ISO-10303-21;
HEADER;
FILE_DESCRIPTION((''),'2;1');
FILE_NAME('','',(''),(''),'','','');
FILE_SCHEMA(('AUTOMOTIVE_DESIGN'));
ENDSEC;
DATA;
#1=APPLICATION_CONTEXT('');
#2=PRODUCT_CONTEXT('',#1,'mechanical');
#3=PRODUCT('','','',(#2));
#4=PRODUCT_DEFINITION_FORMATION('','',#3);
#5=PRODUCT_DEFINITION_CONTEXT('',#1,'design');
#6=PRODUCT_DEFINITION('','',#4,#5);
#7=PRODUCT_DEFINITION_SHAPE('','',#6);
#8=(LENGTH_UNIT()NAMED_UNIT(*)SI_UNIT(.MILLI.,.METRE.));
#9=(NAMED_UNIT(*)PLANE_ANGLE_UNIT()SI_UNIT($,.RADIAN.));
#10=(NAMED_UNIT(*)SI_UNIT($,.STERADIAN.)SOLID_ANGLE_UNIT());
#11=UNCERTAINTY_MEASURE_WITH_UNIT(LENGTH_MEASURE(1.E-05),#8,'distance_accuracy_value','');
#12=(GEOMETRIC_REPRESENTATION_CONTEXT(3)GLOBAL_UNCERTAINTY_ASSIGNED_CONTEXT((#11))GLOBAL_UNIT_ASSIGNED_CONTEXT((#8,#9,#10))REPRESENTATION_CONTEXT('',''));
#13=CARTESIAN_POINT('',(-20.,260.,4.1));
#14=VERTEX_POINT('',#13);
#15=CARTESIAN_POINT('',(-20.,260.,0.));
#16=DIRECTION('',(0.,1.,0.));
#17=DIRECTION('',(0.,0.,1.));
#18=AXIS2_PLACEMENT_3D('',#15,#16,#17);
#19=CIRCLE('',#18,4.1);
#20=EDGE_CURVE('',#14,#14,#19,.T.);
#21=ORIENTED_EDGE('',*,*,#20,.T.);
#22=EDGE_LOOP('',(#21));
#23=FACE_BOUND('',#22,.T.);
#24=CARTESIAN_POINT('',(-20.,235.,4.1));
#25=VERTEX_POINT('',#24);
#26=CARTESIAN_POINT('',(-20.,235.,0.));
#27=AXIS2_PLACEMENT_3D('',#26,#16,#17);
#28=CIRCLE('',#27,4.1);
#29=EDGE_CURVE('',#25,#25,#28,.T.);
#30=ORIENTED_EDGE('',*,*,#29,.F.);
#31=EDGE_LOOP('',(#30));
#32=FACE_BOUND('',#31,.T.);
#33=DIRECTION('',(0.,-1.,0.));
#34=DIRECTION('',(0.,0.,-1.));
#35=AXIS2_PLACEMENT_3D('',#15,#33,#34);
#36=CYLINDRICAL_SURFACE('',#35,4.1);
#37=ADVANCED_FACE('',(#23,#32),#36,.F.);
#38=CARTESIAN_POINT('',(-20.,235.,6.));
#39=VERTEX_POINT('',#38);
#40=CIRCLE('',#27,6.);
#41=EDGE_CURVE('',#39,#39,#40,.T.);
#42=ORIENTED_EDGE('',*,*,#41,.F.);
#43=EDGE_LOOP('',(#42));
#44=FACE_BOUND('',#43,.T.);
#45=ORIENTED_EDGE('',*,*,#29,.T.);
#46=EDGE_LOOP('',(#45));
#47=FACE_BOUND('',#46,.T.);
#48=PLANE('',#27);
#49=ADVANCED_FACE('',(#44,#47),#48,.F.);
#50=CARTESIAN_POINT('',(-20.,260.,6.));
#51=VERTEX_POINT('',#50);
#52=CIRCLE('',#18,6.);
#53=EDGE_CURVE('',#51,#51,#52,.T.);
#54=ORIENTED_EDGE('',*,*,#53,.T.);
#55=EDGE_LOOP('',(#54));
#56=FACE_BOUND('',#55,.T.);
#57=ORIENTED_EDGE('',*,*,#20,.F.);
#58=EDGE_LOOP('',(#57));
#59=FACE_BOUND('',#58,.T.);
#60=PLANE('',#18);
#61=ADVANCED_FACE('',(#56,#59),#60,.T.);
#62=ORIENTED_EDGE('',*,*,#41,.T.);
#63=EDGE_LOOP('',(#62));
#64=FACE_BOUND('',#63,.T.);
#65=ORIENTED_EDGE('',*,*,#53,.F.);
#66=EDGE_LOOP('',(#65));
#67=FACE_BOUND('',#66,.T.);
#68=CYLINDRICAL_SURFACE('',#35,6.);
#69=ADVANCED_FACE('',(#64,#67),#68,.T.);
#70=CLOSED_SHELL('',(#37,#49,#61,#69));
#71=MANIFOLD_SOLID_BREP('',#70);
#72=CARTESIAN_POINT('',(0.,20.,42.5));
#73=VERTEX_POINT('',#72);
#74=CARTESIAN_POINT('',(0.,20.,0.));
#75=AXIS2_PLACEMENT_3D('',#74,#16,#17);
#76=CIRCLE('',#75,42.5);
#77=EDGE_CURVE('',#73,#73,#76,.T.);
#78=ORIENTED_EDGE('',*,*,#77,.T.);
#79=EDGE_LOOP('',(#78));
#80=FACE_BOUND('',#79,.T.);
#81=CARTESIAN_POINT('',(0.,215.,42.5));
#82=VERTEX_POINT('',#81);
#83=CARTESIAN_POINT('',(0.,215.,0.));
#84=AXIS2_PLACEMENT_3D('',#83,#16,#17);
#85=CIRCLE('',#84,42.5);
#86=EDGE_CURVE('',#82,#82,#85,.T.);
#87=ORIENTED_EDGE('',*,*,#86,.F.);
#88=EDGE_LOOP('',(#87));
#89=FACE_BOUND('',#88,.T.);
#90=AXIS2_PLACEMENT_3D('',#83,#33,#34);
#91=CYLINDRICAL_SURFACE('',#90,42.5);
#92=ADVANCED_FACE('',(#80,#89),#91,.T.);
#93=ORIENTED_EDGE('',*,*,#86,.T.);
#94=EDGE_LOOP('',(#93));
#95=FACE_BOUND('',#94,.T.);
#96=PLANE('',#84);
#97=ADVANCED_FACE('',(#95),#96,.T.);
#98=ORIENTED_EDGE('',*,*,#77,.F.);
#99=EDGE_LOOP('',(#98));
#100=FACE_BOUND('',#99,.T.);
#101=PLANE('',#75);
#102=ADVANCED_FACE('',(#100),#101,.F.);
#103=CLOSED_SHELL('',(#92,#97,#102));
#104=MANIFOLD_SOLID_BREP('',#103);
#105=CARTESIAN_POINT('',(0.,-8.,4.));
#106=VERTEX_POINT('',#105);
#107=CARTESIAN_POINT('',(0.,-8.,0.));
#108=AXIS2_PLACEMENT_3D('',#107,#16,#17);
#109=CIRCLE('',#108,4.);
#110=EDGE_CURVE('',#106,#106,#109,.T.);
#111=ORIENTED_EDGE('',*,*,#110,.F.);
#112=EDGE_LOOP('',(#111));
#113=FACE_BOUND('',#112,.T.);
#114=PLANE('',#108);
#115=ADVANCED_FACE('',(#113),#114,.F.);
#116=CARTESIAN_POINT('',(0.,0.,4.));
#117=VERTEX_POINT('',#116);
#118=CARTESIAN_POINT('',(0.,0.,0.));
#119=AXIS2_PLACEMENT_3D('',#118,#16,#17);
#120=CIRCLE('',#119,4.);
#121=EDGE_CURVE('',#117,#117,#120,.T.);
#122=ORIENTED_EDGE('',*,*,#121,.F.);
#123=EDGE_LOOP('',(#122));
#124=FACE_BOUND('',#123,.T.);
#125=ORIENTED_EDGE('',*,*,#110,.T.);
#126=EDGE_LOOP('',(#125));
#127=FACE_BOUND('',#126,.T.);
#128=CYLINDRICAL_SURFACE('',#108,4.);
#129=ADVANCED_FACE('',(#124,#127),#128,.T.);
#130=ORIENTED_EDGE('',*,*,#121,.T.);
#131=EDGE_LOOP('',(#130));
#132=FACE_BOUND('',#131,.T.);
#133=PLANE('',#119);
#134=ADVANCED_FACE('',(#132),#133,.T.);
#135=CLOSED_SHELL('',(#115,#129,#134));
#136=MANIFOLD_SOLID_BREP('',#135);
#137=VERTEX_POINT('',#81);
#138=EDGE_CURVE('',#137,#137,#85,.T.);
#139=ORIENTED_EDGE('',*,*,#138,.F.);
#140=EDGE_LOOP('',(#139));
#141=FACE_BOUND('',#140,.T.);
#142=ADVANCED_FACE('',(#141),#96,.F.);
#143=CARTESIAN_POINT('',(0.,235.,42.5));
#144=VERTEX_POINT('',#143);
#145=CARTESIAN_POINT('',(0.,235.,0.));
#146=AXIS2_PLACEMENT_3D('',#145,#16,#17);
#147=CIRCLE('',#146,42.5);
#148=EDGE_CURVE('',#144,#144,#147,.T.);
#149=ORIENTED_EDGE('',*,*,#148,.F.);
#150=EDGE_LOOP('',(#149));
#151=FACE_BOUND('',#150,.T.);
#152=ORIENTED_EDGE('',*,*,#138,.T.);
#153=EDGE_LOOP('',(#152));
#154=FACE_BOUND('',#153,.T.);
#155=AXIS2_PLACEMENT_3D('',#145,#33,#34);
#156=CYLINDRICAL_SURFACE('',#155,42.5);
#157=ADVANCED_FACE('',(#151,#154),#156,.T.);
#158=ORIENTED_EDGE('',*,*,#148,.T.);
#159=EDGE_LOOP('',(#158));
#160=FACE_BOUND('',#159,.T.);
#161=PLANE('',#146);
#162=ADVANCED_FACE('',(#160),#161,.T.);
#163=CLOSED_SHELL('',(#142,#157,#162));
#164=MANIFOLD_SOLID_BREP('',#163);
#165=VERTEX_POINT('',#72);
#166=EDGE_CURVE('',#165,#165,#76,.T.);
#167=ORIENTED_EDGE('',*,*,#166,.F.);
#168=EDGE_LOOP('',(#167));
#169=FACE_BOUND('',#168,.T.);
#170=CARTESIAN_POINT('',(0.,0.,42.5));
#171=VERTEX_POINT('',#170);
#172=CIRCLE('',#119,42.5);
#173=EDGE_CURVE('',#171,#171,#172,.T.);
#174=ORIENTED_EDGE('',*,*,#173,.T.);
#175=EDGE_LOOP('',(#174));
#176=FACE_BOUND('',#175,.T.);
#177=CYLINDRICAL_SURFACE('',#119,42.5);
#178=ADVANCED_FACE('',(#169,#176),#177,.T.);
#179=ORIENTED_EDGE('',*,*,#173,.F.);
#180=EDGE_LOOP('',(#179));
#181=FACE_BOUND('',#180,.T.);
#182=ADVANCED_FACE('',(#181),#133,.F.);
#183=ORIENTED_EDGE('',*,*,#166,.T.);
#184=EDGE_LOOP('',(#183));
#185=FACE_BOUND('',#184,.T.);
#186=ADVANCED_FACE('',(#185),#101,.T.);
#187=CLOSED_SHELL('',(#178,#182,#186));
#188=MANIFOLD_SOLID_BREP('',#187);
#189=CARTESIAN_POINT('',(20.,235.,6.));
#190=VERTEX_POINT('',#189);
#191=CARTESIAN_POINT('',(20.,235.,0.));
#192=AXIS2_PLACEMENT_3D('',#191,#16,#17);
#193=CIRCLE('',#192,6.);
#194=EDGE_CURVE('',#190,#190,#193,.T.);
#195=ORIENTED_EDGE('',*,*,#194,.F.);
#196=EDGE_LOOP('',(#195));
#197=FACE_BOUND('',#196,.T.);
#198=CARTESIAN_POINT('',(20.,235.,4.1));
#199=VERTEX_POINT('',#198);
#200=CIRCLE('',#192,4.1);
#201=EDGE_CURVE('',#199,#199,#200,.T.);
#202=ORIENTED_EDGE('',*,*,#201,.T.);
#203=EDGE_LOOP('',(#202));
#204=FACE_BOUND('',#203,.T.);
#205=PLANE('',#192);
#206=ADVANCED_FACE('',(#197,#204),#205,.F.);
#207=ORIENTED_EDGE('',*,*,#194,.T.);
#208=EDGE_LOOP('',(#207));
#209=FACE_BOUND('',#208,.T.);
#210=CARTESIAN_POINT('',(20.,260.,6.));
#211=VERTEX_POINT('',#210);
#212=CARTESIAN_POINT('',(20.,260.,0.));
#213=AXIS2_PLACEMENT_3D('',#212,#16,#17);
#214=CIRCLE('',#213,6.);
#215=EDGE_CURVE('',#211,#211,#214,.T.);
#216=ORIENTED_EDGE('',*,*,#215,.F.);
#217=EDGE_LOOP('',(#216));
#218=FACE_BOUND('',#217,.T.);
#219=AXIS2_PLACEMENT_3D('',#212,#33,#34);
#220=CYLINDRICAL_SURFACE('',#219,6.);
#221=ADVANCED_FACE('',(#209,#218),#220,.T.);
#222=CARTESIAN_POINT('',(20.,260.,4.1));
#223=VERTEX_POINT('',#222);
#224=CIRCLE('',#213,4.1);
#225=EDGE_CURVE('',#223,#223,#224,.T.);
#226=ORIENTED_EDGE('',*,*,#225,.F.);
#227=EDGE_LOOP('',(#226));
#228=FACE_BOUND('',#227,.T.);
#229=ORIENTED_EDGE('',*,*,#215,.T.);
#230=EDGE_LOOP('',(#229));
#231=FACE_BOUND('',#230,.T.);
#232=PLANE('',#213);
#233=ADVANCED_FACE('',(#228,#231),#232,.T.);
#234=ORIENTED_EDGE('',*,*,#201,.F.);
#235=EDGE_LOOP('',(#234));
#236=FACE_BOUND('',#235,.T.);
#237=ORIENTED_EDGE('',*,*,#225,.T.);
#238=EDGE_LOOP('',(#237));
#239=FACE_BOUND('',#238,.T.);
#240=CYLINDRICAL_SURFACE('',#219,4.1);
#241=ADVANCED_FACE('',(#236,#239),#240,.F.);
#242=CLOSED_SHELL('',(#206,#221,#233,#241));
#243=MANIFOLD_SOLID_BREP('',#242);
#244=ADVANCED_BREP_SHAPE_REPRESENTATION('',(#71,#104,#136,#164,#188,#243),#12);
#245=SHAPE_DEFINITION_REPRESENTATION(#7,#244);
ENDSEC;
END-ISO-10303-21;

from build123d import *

# Parameters (mm, degrees)
VESSEL_D85_CATALOGUE_START                     = 20
SKETCH1_R                                      = 42.5
VESSEL_D85_CATALOGUE_DEPTH                     = 195
BOTTOM_HEAD_ENVELOPE_START                     = 20
SKETCH2_R                                      = 42.5
BOTTOM_HEAD_ENVELOPE_DEPTH                     = 20
TOP_HEAD_ENVELOPE_START                        = 215
SKETCH3_R                                      = 42.5
TOP_HEAD_ENVELOPE_DEPTH                        = 20
SKETCH4_R                                      = 4
M8_MOUNT_STUD_LENGTH_ASSUMED_DEPTH             = 8
INLET_ODS8_PROVISIONAL_POSITION_START          = 235
SKETCH5_R                                      = 6
SKETCH5_R_2                                    = 4.1
INLET_ODS8_PROVISIONAL_POSITION_DEPTH          = 25
LIQUID_OUTLET_DIP_TUBE_REQUIRED_ODS8_PRO_START = 235
SKETCH6_R                                      = 6
SKETCH6_R_2                                    = 4.1
LIQUID_OUTLET_DIP_TUBE_REQUIRED_ODS8_PRO_DEPTH = 25


with BuildPart() as part:
    # Sketch1 → Vessel_D85_catalogue (new body)
    with BuildSketch(Plane(origin=(0, 0, 0), x_dir=(1, 0, 0), z_dir=(0, 1, 0)).offset(VESSEL_D85_CATALOGUE_START)):
        with Locations(Location((0, 0, 0), (0, 0, 270))):
            Circle(SKETCH1_R)
    extrude(amount=VESSEL_D85_CATALOGUE_DEPTH)


with BuildPart() as body_2:
    # Sketch2 → Bottom_head_envelope (new body)
    with BuildSketch(Plane(origin=(0, 0, 0), x_dir=(1, 0, 0), z_dir=(0, 1, 0)).offset(BOTTOM_HEAD_ENVELOPE_START)):
        with Locations(Location((0, 0, 0), (0, 0, 270))):
            Circle(SKETCH2_R)
    extrude(amount=-BOTTOM_HEAD_ENVELOPE_DEPTH)


with BuildPart() as body_3:
    # Sketch3 → Top_head_envelope (new body)
    with BuildSketch(Plane(origin=(0, 0, 0), x_dir=(1, 0, 0), z_dir=(0, 1, 0)).offset(TOP_HEAD_ENVELOPE_START)):
        with Locations(Location((0, 0, 0), (0, 0, 270))):
            Circle(SKETCH3_R)
    extrude(amount=TOP_HEAD_ENVELOPE_DEPTH)


with BuildPart() as body_4:
    # Sketch4 → M8_mount_stud_length_assumed (new body)
    with BuildSketch(Plane(origin=(0, 0, 0), x_dir=(1, 0, 0), z_dir=(0, 1, 0))):
        with Locations(Location((0, 0, 0), (0, 0, 270))):
            Circle(SKETCH4_R)
    extrude(amount=-M8_MOUNT_STUD_LENGTH_ASSUMED_DEPTH)


with BuildPart() as body_5:
    # Sketch5 → Inlet_ODS8_provisional_position (new body)
    with BuildSketch(Plane(origin=(0, 0, 0), x_dir=(1, 0, 0), z_dir=(0, 1, 0)).offset(INLET_ODS8_PROVISIONAL_POSITION_START)):
        with Locations(Location((-20, 0, 0), (0, 0, 270))):
            Circle(SKETCH5_R)
        with Locations(Location((-20, 0, 0), (0, 0, 270))):
            Circle(SKETCH5_R_2, mode=Mode.SUBTRACT)
    extrude(amount=INLET_ODS8_PROVISIONAL_POSITION_DEPTH)


with BuildPart() as body_6:
    # Sketch6 → Liquid_outlet_dip_tube_required_ODS8_provisional_position (new body)
    with BuildSketch(Plane(origin=(0, 0, 0), x_dir=(1, 0, 0), z_dir=(0, 1, 0)).offset(LIQUID_OUTLET_DIP_TUBE_REQUIRED_ODS8_PRO_START)):
        with Locations(Location((20, 0, 0), (0, 0, 270))):
            Circle(SKETCH6_R)
        with Locations(Location((20, 0, 0), (0, 0, 270))):
            Circle(SKETCH6_R_2, mode=Mode.SUBTRACT)
    extrude(amount=LIQUID_OUTLET_DIP_TUBE_REQUIRED_ODS8_PRO_DEPTH)


solid = Compound([part.part, body_2.part, body_3.part, body_4.part, body_5.part, body_6.part])
